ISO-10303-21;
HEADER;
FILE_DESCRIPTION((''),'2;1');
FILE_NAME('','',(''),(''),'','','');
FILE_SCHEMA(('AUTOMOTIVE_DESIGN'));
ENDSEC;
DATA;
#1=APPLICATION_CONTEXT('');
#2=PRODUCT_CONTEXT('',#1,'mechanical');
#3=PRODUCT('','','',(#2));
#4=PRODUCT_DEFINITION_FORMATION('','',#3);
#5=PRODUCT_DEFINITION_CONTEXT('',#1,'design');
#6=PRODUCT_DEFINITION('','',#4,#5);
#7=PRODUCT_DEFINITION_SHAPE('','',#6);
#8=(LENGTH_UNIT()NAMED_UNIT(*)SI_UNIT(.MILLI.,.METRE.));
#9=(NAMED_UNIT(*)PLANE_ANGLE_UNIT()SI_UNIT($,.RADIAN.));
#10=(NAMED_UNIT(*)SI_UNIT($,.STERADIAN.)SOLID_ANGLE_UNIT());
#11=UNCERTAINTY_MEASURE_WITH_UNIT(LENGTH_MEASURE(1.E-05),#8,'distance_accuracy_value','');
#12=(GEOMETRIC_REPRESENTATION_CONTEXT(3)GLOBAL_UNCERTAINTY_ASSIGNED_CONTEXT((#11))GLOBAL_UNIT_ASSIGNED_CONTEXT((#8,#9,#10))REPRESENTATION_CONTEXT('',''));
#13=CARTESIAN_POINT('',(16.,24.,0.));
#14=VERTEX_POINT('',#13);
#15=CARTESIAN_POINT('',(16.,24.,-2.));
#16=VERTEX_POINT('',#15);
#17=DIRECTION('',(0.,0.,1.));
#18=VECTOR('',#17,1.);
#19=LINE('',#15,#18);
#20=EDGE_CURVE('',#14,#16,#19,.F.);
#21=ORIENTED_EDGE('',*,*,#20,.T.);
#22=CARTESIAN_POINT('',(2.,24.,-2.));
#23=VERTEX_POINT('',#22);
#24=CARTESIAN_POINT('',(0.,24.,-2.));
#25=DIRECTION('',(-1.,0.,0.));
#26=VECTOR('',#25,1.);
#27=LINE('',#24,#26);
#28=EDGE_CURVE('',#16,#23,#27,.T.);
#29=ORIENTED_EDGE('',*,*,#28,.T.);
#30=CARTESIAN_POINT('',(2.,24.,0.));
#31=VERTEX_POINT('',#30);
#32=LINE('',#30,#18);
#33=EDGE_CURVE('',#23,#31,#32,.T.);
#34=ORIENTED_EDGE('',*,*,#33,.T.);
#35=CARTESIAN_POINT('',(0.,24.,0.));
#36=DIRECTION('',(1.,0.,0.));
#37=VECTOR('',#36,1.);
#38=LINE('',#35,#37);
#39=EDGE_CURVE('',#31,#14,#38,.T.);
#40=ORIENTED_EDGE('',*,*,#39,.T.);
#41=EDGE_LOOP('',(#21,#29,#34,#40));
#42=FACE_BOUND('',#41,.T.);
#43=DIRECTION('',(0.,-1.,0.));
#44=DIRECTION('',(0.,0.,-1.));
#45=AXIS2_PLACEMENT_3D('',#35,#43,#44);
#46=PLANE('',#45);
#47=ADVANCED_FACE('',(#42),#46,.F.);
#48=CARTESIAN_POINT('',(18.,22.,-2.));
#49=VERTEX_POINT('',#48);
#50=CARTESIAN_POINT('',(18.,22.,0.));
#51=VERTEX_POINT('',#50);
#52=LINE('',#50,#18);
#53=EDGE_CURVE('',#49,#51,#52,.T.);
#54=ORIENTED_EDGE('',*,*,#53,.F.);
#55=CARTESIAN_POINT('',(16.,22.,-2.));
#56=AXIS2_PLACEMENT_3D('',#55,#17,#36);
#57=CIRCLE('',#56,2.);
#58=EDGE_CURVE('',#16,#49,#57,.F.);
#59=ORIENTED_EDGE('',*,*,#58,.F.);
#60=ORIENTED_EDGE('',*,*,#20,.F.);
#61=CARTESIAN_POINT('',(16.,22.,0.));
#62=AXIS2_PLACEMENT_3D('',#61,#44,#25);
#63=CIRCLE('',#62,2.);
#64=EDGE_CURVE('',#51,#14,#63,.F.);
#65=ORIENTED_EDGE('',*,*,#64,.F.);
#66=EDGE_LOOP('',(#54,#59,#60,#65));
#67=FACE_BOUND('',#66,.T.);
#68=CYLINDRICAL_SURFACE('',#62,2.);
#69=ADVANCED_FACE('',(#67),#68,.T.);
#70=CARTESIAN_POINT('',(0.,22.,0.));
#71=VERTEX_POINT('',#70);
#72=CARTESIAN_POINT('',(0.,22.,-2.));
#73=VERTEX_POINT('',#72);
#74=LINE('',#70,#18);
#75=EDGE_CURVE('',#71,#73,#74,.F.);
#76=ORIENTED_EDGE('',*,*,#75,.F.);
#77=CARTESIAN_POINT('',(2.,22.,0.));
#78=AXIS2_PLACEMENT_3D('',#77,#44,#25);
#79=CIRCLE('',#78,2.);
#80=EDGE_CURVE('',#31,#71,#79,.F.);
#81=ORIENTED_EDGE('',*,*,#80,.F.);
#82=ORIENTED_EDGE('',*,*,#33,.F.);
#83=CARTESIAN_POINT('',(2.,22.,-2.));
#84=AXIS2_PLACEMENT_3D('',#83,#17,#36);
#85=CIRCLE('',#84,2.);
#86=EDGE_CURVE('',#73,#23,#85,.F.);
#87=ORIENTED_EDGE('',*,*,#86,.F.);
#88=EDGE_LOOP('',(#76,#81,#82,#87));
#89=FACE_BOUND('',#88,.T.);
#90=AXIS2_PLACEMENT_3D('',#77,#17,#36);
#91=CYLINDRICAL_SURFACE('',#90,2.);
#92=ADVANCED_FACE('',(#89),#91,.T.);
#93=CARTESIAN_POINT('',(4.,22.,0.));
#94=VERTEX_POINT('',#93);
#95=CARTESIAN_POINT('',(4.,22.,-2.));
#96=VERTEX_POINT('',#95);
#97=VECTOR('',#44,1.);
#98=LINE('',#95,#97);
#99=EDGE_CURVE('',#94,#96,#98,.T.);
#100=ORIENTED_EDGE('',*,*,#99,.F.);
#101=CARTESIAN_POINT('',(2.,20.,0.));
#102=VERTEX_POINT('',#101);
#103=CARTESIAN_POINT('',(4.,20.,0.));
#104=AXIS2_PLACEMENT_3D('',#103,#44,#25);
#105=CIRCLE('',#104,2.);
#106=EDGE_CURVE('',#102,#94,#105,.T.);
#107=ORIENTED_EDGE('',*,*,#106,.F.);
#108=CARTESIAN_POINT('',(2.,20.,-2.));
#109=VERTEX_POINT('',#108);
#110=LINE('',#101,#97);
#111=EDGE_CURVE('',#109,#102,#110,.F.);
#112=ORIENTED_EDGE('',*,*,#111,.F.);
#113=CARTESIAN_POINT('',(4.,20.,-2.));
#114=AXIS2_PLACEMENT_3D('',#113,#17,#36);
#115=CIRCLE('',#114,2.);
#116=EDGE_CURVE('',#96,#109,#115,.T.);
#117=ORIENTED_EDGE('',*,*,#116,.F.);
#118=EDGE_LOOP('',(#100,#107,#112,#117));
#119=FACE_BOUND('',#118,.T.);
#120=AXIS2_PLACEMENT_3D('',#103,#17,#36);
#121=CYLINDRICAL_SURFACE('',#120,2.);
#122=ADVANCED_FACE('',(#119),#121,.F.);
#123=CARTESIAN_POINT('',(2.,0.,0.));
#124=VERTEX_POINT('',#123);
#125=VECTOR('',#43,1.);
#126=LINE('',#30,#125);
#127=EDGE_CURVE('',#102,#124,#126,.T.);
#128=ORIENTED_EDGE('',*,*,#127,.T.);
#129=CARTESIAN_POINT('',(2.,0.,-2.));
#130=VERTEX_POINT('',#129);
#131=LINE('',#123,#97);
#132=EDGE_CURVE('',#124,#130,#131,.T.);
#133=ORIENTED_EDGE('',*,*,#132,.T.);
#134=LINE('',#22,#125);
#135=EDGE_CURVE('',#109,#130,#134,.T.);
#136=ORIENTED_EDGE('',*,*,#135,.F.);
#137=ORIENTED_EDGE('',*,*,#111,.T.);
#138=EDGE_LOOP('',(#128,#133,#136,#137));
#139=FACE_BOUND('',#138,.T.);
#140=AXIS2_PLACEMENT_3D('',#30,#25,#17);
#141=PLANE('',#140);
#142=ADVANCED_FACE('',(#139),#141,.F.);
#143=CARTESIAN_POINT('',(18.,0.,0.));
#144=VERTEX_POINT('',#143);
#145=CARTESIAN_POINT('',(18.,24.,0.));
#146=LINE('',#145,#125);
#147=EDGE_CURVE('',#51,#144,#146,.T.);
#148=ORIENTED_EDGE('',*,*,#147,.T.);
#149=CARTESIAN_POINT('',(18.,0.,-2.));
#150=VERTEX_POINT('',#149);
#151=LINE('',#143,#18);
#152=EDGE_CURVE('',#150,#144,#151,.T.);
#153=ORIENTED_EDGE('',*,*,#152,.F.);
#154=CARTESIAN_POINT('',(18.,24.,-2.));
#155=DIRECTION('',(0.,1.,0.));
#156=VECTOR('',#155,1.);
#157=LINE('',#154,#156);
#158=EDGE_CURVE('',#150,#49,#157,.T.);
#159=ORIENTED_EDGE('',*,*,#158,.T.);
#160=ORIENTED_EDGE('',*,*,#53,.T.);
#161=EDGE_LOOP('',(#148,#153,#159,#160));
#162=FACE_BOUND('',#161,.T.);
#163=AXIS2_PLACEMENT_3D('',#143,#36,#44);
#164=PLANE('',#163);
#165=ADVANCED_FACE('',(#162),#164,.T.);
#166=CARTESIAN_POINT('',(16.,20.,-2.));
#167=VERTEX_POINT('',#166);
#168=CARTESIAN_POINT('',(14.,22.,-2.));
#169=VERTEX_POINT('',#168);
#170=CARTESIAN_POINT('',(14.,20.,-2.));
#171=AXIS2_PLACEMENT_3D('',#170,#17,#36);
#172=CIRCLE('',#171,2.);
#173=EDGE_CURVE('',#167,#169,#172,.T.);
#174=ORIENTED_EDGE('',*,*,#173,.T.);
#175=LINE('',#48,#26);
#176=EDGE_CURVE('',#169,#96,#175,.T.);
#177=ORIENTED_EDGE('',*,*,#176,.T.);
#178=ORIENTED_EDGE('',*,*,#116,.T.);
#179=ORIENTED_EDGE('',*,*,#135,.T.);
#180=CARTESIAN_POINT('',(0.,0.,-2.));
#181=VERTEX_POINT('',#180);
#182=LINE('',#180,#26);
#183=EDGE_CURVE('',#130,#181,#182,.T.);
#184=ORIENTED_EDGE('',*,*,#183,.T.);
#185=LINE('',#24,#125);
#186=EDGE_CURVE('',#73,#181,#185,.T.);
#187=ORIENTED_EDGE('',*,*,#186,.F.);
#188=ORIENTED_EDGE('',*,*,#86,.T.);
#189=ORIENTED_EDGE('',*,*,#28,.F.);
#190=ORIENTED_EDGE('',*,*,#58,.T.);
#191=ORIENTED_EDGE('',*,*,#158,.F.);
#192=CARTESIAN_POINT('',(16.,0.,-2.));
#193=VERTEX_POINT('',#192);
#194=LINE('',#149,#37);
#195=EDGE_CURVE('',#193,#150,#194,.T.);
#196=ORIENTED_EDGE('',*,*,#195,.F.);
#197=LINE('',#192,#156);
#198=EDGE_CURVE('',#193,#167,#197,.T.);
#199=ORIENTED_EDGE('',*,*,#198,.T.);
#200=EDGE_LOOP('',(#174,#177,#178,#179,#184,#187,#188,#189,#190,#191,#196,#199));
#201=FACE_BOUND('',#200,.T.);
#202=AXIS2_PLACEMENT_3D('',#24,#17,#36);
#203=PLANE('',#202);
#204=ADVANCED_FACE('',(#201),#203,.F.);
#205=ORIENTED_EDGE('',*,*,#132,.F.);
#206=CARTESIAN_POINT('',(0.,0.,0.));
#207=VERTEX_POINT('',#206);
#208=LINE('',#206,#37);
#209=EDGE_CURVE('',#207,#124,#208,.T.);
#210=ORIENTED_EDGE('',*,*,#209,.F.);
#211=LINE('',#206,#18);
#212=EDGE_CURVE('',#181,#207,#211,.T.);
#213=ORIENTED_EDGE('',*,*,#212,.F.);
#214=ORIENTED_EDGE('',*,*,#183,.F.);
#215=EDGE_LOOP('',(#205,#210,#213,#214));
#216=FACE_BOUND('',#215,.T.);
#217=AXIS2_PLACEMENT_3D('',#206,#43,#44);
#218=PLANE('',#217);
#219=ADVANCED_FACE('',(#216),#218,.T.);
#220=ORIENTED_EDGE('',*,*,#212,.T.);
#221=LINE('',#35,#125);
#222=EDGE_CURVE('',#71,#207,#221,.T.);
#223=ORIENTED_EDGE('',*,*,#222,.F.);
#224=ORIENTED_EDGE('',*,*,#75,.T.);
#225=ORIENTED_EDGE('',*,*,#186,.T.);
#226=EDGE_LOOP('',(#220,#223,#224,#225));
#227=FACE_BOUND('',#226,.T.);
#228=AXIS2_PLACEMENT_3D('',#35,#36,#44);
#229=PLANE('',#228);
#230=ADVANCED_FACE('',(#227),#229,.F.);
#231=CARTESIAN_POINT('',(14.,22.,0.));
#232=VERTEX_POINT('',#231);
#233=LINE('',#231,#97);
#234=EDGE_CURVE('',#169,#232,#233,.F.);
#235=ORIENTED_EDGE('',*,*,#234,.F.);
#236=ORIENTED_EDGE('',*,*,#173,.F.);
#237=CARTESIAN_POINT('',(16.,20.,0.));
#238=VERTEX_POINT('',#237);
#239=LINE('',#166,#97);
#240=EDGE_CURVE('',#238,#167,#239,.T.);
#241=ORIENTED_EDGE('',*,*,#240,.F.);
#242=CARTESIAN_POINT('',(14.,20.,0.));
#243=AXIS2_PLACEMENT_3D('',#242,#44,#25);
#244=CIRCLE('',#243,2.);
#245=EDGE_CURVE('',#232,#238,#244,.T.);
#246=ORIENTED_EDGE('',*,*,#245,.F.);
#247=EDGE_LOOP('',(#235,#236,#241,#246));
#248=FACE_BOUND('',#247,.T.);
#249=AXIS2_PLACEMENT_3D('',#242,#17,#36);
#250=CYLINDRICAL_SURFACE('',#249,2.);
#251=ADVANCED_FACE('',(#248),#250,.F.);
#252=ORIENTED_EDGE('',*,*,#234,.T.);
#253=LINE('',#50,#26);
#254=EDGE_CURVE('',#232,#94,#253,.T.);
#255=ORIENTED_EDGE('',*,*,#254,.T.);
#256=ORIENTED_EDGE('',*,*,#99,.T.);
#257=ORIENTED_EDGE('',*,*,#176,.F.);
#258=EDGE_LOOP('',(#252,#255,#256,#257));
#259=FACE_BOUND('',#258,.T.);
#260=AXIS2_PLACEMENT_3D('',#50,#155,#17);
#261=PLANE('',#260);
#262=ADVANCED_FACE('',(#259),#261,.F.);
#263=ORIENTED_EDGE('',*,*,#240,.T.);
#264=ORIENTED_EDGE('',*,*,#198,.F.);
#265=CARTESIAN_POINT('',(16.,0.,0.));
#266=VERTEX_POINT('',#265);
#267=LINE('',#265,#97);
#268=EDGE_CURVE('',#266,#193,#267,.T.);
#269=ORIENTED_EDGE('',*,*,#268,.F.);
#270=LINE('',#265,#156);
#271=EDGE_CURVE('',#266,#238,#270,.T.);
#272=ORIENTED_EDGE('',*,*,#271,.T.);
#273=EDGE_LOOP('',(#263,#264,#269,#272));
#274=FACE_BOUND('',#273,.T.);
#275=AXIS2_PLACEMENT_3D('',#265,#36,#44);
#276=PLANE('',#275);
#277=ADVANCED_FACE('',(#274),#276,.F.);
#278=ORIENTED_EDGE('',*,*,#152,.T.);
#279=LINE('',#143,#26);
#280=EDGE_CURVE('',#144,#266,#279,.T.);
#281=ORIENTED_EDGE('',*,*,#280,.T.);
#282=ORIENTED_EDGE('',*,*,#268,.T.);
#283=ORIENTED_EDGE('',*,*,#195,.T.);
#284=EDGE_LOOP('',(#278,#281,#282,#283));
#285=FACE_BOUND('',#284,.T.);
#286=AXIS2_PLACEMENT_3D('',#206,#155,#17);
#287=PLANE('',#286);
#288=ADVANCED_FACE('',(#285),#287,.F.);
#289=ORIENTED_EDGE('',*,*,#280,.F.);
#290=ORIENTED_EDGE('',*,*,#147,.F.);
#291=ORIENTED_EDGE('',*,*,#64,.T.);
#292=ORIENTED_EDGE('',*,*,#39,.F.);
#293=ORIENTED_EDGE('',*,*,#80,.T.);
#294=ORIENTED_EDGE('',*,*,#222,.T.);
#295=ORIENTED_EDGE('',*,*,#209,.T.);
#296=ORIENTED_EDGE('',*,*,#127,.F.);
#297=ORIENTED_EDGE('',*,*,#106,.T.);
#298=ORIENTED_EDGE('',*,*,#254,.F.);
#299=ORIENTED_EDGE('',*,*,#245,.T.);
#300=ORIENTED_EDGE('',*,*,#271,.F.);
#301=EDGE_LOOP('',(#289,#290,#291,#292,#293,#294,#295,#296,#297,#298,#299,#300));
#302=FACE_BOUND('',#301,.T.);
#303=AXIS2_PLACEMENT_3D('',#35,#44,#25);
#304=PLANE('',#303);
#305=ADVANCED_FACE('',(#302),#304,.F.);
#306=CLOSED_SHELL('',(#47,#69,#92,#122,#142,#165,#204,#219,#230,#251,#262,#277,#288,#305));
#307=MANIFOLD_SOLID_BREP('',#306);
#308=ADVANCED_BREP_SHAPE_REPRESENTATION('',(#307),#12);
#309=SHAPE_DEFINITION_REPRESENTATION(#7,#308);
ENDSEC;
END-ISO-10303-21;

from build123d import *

# Parameters (mm, degrees)
SKETCH1_W           = 2
SKETCH1_H           = 2
BOSS_EXTRUDE1_DEPTH = 24
SKETCH2_W           = 2
SKETCH2_H           = 2
BOSS_EXTRUDE2_DEPTH = 16
SKETCH3_W           = 2
SKETCH3_H           = 2
BOSS_EXTRUDE3_DEPTH = 22
FILLET1_R           = 2
FILLET2_R           = 2


with BuildPart() as part:
    # Sketch1 → Boss-Extrude1 (new body)
    with BuildSketch(Plane(origin=(0, 0, 0), x_dir=(1, 0, 0), z_dir=(0, 1, 0))):
        with Locations((1, 1)):
            Rectangle(SKETCH1_W, SKETCH1_H)
    extrude(amount=BOSS_EXTRUDE1_DEPTH)

    # Sketch2 → Boss-Extrude2 (add)
    with BuildSketch(Plane(origin=(2, 0, 0), x_dir=(0, 0, -1), z_dir=(1, 0, 0))):
        with Locations((1, 23)):
            Rectangle(SKETCH2_W, SKETCH2_H)
    extrude(amount=BOSS_EXTRUDE2_DEPTH)

    # Sketch3 → Boss-Extrude3 (add)
    with BuildSketch(Plane(origin=(0, 22, 0), x_dir=(-1, 0, 0), z_dir=(0, -1, 0))):
        with Locations((-17, 1)):
            Rectangle(SKETCH3_W, SKETCH3_H)
    extrude(amount=BOSS_EXTRUDE3_DEPTH)

    # Fillet1
    fillet1_edges = [part.edges().sort_by_distance(p)[0] for p in [
        (2, 22, -1),
        (16, 22, -1),
    ]]
    fillet(fillet1_edges, radius=FILLET1_R)

    # Fillet2
    fillet2_edges = [part.edges().sort_by_distance(p)[0] for p in [
        (18, 24, -1),
        (0, 24, -1),
    ]]
    fillet(fillet2_edges, radius=FILLET2_R)


solid = part.part
